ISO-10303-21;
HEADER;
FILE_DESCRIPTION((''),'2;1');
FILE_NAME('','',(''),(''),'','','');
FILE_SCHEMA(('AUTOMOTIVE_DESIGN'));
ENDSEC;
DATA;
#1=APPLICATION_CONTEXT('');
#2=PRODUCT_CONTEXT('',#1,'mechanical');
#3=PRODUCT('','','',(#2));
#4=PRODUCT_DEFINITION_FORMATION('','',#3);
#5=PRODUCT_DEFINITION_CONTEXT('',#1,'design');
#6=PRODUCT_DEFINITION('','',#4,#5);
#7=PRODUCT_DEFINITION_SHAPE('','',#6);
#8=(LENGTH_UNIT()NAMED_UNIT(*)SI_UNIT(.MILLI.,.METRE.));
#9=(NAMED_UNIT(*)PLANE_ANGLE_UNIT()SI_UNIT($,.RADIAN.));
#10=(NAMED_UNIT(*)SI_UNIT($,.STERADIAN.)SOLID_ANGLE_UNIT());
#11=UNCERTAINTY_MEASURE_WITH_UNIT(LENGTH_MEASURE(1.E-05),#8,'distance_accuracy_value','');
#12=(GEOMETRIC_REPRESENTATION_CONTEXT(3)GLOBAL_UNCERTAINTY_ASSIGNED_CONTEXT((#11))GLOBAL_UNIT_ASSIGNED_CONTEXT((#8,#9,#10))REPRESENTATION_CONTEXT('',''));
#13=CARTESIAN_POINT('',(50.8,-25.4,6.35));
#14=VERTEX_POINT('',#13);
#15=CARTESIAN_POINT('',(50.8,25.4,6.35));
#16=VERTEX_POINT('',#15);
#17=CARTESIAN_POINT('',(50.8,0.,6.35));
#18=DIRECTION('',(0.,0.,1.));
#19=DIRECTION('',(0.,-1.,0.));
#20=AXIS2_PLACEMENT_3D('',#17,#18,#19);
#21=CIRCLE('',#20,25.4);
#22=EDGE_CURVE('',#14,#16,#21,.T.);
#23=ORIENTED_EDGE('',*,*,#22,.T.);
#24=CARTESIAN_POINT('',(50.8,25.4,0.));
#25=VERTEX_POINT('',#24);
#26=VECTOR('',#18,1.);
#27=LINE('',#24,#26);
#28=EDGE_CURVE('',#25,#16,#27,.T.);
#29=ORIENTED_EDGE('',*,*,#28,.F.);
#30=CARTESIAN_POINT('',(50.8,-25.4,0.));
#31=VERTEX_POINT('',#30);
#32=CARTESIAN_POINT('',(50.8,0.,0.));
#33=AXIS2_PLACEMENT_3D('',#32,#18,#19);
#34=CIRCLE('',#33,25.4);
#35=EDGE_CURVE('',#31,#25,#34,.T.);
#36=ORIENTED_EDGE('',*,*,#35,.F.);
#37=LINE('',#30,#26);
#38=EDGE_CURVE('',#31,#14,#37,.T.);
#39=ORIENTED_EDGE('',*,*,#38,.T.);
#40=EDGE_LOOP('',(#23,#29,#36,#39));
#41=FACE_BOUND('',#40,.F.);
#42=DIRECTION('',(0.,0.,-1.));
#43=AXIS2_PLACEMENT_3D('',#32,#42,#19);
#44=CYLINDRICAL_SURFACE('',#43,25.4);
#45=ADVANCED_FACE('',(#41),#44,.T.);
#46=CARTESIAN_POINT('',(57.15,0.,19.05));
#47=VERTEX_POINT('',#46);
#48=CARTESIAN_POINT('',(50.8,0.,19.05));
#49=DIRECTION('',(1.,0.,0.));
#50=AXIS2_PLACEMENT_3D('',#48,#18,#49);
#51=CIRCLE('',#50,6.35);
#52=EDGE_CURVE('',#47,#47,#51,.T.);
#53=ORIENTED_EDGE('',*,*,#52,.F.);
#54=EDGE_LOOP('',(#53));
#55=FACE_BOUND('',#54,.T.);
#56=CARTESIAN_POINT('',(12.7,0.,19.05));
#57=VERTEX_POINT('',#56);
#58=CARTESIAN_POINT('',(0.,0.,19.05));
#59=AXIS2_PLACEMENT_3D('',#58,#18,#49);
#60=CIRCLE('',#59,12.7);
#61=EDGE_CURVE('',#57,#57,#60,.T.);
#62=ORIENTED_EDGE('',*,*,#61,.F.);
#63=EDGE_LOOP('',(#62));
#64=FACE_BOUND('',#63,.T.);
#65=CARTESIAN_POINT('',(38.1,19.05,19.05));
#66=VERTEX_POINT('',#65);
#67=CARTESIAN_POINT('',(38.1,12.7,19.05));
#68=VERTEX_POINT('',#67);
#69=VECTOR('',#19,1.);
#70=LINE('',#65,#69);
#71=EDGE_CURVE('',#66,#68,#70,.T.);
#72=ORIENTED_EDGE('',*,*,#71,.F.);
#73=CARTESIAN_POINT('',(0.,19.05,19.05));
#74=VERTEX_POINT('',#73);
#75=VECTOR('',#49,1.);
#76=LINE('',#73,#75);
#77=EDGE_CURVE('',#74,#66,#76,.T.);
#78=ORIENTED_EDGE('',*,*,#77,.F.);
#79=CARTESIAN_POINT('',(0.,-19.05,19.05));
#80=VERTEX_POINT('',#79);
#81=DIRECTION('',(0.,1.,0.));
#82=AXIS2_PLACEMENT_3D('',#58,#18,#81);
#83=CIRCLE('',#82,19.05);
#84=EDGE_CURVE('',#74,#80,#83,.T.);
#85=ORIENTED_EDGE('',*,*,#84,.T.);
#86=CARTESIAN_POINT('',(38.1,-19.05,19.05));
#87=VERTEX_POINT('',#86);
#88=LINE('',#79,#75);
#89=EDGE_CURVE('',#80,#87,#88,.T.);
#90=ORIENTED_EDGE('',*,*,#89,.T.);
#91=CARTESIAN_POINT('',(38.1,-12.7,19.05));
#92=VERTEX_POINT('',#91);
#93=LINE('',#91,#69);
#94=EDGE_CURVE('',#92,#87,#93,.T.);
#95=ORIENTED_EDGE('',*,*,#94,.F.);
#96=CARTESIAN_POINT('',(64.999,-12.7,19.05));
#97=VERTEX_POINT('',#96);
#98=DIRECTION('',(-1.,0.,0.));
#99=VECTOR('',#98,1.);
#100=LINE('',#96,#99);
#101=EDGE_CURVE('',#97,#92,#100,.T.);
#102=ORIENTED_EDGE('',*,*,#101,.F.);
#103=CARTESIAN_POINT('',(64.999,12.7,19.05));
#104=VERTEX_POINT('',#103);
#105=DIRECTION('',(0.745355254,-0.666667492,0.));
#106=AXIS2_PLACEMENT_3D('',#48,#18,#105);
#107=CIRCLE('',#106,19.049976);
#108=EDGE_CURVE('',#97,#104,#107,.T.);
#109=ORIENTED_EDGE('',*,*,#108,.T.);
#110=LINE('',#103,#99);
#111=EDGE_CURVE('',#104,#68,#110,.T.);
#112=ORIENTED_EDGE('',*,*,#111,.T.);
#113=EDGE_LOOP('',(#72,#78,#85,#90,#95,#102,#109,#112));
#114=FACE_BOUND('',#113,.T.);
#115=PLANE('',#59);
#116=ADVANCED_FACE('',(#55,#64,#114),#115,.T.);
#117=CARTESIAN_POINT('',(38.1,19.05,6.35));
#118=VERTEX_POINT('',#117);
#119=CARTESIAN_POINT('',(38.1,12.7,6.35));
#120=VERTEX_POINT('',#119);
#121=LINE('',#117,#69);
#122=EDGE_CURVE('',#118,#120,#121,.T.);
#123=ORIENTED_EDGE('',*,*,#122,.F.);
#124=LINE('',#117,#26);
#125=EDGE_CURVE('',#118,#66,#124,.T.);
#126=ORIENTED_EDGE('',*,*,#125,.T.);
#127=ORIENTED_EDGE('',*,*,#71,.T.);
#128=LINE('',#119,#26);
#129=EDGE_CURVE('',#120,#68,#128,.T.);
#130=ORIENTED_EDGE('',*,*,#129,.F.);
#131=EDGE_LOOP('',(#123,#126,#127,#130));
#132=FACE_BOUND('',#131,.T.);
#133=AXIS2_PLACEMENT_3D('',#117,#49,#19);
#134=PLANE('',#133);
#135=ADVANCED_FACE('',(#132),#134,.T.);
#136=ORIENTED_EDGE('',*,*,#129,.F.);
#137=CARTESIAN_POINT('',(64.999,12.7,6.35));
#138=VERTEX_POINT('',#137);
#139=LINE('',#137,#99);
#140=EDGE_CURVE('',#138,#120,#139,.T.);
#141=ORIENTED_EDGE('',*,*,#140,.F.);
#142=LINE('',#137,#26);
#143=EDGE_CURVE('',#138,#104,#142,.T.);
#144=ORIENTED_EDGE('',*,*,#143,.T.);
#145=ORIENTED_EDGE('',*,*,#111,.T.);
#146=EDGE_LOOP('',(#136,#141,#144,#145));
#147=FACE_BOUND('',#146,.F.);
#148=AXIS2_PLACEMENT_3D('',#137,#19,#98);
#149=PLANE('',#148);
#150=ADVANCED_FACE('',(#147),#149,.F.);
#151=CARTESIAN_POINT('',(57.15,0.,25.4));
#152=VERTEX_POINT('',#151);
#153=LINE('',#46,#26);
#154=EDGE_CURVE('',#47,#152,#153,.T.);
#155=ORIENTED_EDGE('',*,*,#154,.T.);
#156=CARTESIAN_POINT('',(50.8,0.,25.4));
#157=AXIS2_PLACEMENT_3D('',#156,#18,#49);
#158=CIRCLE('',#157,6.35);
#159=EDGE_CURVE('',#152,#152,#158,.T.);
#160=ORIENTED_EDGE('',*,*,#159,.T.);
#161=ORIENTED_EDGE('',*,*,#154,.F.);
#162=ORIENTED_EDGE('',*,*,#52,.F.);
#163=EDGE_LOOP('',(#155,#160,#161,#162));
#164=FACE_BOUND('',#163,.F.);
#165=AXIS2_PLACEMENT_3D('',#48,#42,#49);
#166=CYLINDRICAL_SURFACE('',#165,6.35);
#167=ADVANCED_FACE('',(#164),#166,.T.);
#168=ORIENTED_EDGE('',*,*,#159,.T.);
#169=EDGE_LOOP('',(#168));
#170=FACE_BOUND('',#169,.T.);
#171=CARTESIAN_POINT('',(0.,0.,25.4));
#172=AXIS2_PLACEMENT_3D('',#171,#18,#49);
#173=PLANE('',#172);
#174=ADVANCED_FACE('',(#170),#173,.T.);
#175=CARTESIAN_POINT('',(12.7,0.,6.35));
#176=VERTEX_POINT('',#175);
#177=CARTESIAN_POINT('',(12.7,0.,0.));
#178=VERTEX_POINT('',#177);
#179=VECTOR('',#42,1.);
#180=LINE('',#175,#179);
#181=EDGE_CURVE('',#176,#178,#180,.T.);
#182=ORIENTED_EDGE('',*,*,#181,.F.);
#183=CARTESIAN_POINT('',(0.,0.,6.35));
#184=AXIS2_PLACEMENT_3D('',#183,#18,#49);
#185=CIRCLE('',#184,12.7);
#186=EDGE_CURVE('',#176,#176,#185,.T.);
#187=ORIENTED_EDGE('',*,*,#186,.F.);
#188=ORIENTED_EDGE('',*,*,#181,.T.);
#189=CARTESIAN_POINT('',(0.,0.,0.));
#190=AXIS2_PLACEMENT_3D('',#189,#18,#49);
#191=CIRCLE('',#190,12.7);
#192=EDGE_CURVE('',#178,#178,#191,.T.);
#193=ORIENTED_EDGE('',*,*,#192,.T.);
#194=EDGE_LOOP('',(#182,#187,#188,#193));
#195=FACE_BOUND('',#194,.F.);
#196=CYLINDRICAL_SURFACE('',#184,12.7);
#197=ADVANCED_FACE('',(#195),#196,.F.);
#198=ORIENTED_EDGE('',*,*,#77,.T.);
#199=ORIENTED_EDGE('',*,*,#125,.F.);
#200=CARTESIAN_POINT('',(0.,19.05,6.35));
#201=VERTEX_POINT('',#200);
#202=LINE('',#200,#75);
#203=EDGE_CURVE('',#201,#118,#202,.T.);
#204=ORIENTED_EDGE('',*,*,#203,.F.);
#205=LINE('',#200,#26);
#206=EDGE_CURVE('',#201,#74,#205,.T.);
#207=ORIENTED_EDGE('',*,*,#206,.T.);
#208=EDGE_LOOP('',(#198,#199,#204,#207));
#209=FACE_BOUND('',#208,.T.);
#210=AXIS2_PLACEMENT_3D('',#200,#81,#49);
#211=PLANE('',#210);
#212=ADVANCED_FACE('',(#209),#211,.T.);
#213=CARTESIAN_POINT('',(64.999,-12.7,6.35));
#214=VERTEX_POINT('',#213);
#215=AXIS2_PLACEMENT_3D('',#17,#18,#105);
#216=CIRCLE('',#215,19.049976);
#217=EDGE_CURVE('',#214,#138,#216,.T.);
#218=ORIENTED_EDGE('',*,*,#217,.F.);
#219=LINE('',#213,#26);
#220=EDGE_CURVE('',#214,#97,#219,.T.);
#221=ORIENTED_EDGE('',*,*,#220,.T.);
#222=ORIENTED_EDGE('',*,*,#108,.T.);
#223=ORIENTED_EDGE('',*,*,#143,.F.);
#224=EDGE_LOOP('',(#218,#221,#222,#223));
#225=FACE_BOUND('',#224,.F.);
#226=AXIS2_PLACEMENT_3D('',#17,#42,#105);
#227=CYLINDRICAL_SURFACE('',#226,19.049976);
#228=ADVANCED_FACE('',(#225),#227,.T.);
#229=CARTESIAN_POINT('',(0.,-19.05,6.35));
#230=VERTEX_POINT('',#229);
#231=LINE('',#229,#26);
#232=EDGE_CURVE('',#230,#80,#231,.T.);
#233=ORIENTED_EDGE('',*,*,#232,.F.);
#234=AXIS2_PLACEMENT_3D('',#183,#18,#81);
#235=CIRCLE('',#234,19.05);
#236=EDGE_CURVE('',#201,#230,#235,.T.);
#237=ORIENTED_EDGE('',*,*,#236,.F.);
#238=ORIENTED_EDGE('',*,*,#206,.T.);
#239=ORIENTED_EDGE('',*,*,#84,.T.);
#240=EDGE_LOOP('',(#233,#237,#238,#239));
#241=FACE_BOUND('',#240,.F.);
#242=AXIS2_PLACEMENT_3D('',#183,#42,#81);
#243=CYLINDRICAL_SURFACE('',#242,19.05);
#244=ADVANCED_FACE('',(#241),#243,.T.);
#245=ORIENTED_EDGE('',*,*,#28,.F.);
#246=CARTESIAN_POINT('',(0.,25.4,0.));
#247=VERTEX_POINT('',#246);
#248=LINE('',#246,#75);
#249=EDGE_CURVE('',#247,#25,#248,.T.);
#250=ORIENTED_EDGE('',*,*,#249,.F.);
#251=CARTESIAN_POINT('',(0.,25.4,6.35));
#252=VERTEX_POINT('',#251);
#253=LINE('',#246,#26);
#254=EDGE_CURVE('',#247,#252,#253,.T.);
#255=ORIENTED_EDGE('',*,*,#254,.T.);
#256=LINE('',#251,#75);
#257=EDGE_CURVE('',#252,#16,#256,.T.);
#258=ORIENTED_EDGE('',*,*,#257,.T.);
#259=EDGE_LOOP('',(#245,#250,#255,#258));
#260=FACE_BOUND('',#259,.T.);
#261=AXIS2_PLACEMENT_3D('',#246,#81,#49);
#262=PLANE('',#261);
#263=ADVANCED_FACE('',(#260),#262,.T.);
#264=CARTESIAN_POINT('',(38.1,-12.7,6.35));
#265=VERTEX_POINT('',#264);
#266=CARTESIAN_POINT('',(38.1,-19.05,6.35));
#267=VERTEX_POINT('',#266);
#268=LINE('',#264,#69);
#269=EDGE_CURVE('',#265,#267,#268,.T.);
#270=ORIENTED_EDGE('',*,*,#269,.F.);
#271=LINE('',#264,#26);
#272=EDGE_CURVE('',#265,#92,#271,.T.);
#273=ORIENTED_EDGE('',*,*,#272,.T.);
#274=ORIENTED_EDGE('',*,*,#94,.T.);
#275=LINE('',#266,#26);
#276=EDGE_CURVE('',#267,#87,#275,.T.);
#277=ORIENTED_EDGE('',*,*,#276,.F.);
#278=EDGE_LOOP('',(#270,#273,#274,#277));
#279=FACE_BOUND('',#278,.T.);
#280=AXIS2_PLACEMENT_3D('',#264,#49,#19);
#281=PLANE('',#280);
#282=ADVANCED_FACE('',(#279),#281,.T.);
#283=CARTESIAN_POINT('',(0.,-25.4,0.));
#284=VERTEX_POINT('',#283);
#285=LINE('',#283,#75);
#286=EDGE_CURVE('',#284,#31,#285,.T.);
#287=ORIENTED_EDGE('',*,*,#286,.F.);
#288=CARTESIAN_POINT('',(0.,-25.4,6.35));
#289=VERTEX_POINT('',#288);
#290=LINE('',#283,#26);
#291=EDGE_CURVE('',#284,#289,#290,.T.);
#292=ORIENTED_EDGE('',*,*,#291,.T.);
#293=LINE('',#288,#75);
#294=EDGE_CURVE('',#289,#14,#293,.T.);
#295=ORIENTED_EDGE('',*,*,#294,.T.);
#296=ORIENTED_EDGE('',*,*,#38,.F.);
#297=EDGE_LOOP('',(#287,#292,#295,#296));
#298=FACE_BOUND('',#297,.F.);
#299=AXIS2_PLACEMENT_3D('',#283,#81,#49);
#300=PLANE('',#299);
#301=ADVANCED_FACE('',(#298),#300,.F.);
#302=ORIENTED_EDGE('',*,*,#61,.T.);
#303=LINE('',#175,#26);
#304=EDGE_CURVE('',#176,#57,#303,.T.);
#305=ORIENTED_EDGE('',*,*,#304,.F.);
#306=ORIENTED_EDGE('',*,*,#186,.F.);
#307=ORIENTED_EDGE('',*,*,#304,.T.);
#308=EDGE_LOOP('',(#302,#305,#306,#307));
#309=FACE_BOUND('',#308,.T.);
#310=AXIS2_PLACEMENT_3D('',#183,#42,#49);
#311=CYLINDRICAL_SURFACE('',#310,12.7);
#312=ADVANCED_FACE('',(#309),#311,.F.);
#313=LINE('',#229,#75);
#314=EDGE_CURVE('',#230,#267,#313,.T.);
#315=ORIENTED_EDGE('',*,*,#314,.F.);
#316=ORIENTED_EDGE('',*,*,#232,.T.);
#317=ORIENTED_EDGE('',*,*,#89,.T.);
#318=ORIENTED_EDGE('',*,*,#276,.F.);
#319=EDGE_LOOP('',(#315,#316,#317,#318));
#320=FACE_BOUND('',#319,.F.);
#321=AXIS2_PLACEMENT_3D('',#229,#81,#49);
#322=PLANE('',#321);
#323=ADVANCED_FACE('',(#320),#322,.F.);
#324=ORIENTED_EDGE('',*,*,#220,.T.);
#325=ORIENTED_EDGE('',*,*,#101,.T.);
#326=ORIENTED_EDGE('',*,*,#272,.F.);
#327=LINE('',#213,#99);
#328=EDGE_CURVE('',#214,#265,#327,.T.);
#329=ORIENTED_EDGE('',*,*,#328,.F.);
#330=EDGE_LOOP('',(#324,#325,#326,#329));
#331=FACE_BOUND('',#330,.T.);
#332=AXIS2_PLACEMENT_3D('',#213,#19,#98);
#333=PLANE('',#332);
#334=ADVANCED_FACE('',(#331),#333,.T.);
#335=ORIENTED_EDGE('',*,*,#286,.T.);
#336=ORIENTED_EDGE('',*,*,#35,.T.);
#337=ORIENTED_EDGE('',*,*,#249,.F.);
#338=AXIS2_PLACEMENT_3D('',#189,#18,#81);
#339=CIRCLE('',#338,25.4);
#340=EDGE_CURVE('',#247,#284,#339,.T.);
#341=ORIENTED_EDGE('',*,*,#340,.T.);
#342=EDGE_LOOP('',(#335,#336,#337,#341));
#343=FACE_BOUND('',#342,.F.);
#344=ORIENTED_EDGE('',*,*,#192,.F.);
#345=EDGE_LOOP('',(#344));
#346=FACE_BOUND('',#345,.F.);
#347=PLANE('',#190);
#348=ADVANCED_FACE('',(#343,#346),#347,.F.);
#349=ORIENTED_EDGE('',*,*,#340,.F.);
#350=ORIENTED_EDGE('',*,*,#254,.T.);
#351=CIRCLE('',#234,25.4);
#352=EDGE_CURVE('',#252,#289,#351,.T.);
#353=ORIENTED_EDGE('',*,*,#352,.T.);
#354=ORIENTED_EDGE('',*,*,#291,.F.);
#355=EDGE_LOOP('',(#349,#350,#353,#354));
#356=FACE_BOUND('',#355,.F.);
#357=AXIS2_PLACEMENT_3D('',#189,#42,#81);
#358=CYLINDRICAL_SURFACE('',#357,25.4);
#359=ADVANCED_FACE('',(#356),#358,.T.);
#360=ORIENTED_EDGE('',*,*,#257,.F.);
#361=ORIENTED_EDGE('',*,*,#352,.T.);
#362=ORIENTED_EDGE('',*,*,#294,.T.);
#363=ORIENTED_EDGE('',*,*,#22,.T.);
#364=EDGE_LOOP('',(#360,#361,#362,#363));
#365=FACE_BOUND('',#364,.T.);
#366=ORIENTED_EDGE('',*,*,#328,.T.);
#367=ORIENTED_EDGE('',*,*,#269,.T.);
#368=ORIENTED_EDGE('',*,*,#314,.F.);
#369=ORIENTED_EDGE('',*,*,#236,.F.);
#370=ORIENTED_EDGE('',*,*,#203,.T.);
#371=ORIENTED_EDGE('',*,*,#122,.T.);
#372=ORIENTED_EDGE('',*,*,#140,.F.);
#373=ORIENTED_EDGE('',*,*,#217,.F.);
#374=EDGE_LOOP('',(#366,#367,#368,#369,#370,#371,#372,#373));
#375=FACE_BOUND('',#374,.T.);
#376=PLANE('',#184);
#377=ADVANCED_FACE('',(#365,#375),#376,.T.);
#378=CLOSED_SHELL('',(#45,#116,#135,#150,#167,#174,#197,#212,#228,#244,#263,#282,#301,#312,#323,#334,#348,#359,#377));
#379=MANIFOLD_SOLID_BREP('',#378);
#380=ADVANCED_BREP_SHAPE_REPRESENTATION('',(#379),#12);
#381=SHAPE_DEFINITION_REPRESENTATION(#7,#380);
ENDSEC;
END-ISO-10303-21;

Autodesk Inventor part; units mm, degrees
ref_plane "YZ Plane" through (0, 0, 0) normal (1, 0, 0) x (0, 1, 0)
ref_plane "XZ Plane" through (0, 0, 0) normal (0, 1, 0) x (-1, 0, 0)
ref_plane "XY Plane" through (0, 0, 0) normal (0, 0, 1) x (1, 0, 0)
sketch "Sketch1" plane through (0, 0, 0) normal (0, 0, 1) x (1, 0, 0)
  arc A0 (0, 25.4) -> (0, -25.4) centre (0, 0) ccw
  arc A1 (50.8, -25.4) -> (50.8, 25.4) centre (50.8, 0) ccw
  line L0 (0, 25.4) -> (50.8, 25.4)
  line L1 (0, -25.4) -> (50.8, -25.4)
  dimension "d2" = 50.8
  dimension "d3" = 50.8
  dimension "d4" = 50.8
extrude "Extrusion1" add sketch "Sketch1" along normal blind 6.35
sketch "Sketch2" plane through (0, 0, 6.35) normal (0, 0, 1) x (1, 0, 0)
  arc A0 (0, 25.4) -> (0, -25.4) centre (0, 0) ccw projected
  line L0 (0, -25.4) -> (50.8, -25.4) projected
  arc A1 (50.8, -25.4) -> (50.8, 25.4) centre (50.8, 0) ccw projected
  line L1 (50.8, 25.4) -> (0, 25.4) projected
  arc A2 (0, 19.05) -> (0, -19.05) centre (0, 0) ccw
  arc A3 (64.999, -12.7) -> (64.999, 12.7) centre (50.8, 0) ccw
  line L2 (0, -19.05) -> (38.1, -19.05)
  line L3 (0, 19.05) -> (38.1, 19.05)
  line L4 (64.999, -12.7) -> (38.1, -12.7)
  line L5 (64.999, 12.7) -> (38.1, 12.7)
  circle A4 centre (0, 0) radius 12.7
  line L6 (38.1, 19.05) -> (38.1, 12.7)
  line L7 (38.1, -12.7) -> (38.1, -19.05)
  dimension "d8" = 38.1
  dimension "d9" = 38.1
  dimension "d10" = 38.1
  dimension "d11" = 38.1
  dimension "d16" = 25.4
  dimension "d17" = 25.4
extrude "Extrusion2" add sketch "Sketch2" along normal blind 12.7 contours L3 L6 L5 A3 L4 L7 L2 A2
sketch "Sketch3" plane through (0, 0, 6.35) normal (0, 0, 1) x (1, 0, 0)
  circle A0 centre (0, 0) radius 12.7
  dimension "d20" = 25.4
extrude "Extrusion3" cut sketch "Sketch3" against normal through all
sketch "Sketch4" plane through (0, 0, 19.05) normal (0, 0, 1) x (1, 0, 0)
  circle A0 centre (0, 0) radius 12.7 projected
  arc A1 (0, 19.05) -> (0, -19.05) centre (0, 0) ccw projected
  line L0 (0, -19.05) -> (38.1, -19.05) projected
  line L1 (38.1, -19.05) -> (38.1, -12.7) projected
  line L2 (38.1, -12.7) -> (64.999, -12.7) projected
  arc A2 (64.999, -12.7) -> (64.999, 12.7) centre (50.8, 0) ccw projected
  line L3 (64.999, 12.7) -> (38.1, 12.7) projected
  line L4 (38.1, 12.7) -> (38.1, 19.05) projected
  line L5 (38.1, 19.05) -> (0, 19.05) projected
  circle A3 centre (50.8, 0) radius 6.35
  dimension "d23" = 12.7
extrude "Extrusion4" add sketch "Sketch4" along normal blind 6.35 contours A3
properties part number "HW 6 Part 6"
